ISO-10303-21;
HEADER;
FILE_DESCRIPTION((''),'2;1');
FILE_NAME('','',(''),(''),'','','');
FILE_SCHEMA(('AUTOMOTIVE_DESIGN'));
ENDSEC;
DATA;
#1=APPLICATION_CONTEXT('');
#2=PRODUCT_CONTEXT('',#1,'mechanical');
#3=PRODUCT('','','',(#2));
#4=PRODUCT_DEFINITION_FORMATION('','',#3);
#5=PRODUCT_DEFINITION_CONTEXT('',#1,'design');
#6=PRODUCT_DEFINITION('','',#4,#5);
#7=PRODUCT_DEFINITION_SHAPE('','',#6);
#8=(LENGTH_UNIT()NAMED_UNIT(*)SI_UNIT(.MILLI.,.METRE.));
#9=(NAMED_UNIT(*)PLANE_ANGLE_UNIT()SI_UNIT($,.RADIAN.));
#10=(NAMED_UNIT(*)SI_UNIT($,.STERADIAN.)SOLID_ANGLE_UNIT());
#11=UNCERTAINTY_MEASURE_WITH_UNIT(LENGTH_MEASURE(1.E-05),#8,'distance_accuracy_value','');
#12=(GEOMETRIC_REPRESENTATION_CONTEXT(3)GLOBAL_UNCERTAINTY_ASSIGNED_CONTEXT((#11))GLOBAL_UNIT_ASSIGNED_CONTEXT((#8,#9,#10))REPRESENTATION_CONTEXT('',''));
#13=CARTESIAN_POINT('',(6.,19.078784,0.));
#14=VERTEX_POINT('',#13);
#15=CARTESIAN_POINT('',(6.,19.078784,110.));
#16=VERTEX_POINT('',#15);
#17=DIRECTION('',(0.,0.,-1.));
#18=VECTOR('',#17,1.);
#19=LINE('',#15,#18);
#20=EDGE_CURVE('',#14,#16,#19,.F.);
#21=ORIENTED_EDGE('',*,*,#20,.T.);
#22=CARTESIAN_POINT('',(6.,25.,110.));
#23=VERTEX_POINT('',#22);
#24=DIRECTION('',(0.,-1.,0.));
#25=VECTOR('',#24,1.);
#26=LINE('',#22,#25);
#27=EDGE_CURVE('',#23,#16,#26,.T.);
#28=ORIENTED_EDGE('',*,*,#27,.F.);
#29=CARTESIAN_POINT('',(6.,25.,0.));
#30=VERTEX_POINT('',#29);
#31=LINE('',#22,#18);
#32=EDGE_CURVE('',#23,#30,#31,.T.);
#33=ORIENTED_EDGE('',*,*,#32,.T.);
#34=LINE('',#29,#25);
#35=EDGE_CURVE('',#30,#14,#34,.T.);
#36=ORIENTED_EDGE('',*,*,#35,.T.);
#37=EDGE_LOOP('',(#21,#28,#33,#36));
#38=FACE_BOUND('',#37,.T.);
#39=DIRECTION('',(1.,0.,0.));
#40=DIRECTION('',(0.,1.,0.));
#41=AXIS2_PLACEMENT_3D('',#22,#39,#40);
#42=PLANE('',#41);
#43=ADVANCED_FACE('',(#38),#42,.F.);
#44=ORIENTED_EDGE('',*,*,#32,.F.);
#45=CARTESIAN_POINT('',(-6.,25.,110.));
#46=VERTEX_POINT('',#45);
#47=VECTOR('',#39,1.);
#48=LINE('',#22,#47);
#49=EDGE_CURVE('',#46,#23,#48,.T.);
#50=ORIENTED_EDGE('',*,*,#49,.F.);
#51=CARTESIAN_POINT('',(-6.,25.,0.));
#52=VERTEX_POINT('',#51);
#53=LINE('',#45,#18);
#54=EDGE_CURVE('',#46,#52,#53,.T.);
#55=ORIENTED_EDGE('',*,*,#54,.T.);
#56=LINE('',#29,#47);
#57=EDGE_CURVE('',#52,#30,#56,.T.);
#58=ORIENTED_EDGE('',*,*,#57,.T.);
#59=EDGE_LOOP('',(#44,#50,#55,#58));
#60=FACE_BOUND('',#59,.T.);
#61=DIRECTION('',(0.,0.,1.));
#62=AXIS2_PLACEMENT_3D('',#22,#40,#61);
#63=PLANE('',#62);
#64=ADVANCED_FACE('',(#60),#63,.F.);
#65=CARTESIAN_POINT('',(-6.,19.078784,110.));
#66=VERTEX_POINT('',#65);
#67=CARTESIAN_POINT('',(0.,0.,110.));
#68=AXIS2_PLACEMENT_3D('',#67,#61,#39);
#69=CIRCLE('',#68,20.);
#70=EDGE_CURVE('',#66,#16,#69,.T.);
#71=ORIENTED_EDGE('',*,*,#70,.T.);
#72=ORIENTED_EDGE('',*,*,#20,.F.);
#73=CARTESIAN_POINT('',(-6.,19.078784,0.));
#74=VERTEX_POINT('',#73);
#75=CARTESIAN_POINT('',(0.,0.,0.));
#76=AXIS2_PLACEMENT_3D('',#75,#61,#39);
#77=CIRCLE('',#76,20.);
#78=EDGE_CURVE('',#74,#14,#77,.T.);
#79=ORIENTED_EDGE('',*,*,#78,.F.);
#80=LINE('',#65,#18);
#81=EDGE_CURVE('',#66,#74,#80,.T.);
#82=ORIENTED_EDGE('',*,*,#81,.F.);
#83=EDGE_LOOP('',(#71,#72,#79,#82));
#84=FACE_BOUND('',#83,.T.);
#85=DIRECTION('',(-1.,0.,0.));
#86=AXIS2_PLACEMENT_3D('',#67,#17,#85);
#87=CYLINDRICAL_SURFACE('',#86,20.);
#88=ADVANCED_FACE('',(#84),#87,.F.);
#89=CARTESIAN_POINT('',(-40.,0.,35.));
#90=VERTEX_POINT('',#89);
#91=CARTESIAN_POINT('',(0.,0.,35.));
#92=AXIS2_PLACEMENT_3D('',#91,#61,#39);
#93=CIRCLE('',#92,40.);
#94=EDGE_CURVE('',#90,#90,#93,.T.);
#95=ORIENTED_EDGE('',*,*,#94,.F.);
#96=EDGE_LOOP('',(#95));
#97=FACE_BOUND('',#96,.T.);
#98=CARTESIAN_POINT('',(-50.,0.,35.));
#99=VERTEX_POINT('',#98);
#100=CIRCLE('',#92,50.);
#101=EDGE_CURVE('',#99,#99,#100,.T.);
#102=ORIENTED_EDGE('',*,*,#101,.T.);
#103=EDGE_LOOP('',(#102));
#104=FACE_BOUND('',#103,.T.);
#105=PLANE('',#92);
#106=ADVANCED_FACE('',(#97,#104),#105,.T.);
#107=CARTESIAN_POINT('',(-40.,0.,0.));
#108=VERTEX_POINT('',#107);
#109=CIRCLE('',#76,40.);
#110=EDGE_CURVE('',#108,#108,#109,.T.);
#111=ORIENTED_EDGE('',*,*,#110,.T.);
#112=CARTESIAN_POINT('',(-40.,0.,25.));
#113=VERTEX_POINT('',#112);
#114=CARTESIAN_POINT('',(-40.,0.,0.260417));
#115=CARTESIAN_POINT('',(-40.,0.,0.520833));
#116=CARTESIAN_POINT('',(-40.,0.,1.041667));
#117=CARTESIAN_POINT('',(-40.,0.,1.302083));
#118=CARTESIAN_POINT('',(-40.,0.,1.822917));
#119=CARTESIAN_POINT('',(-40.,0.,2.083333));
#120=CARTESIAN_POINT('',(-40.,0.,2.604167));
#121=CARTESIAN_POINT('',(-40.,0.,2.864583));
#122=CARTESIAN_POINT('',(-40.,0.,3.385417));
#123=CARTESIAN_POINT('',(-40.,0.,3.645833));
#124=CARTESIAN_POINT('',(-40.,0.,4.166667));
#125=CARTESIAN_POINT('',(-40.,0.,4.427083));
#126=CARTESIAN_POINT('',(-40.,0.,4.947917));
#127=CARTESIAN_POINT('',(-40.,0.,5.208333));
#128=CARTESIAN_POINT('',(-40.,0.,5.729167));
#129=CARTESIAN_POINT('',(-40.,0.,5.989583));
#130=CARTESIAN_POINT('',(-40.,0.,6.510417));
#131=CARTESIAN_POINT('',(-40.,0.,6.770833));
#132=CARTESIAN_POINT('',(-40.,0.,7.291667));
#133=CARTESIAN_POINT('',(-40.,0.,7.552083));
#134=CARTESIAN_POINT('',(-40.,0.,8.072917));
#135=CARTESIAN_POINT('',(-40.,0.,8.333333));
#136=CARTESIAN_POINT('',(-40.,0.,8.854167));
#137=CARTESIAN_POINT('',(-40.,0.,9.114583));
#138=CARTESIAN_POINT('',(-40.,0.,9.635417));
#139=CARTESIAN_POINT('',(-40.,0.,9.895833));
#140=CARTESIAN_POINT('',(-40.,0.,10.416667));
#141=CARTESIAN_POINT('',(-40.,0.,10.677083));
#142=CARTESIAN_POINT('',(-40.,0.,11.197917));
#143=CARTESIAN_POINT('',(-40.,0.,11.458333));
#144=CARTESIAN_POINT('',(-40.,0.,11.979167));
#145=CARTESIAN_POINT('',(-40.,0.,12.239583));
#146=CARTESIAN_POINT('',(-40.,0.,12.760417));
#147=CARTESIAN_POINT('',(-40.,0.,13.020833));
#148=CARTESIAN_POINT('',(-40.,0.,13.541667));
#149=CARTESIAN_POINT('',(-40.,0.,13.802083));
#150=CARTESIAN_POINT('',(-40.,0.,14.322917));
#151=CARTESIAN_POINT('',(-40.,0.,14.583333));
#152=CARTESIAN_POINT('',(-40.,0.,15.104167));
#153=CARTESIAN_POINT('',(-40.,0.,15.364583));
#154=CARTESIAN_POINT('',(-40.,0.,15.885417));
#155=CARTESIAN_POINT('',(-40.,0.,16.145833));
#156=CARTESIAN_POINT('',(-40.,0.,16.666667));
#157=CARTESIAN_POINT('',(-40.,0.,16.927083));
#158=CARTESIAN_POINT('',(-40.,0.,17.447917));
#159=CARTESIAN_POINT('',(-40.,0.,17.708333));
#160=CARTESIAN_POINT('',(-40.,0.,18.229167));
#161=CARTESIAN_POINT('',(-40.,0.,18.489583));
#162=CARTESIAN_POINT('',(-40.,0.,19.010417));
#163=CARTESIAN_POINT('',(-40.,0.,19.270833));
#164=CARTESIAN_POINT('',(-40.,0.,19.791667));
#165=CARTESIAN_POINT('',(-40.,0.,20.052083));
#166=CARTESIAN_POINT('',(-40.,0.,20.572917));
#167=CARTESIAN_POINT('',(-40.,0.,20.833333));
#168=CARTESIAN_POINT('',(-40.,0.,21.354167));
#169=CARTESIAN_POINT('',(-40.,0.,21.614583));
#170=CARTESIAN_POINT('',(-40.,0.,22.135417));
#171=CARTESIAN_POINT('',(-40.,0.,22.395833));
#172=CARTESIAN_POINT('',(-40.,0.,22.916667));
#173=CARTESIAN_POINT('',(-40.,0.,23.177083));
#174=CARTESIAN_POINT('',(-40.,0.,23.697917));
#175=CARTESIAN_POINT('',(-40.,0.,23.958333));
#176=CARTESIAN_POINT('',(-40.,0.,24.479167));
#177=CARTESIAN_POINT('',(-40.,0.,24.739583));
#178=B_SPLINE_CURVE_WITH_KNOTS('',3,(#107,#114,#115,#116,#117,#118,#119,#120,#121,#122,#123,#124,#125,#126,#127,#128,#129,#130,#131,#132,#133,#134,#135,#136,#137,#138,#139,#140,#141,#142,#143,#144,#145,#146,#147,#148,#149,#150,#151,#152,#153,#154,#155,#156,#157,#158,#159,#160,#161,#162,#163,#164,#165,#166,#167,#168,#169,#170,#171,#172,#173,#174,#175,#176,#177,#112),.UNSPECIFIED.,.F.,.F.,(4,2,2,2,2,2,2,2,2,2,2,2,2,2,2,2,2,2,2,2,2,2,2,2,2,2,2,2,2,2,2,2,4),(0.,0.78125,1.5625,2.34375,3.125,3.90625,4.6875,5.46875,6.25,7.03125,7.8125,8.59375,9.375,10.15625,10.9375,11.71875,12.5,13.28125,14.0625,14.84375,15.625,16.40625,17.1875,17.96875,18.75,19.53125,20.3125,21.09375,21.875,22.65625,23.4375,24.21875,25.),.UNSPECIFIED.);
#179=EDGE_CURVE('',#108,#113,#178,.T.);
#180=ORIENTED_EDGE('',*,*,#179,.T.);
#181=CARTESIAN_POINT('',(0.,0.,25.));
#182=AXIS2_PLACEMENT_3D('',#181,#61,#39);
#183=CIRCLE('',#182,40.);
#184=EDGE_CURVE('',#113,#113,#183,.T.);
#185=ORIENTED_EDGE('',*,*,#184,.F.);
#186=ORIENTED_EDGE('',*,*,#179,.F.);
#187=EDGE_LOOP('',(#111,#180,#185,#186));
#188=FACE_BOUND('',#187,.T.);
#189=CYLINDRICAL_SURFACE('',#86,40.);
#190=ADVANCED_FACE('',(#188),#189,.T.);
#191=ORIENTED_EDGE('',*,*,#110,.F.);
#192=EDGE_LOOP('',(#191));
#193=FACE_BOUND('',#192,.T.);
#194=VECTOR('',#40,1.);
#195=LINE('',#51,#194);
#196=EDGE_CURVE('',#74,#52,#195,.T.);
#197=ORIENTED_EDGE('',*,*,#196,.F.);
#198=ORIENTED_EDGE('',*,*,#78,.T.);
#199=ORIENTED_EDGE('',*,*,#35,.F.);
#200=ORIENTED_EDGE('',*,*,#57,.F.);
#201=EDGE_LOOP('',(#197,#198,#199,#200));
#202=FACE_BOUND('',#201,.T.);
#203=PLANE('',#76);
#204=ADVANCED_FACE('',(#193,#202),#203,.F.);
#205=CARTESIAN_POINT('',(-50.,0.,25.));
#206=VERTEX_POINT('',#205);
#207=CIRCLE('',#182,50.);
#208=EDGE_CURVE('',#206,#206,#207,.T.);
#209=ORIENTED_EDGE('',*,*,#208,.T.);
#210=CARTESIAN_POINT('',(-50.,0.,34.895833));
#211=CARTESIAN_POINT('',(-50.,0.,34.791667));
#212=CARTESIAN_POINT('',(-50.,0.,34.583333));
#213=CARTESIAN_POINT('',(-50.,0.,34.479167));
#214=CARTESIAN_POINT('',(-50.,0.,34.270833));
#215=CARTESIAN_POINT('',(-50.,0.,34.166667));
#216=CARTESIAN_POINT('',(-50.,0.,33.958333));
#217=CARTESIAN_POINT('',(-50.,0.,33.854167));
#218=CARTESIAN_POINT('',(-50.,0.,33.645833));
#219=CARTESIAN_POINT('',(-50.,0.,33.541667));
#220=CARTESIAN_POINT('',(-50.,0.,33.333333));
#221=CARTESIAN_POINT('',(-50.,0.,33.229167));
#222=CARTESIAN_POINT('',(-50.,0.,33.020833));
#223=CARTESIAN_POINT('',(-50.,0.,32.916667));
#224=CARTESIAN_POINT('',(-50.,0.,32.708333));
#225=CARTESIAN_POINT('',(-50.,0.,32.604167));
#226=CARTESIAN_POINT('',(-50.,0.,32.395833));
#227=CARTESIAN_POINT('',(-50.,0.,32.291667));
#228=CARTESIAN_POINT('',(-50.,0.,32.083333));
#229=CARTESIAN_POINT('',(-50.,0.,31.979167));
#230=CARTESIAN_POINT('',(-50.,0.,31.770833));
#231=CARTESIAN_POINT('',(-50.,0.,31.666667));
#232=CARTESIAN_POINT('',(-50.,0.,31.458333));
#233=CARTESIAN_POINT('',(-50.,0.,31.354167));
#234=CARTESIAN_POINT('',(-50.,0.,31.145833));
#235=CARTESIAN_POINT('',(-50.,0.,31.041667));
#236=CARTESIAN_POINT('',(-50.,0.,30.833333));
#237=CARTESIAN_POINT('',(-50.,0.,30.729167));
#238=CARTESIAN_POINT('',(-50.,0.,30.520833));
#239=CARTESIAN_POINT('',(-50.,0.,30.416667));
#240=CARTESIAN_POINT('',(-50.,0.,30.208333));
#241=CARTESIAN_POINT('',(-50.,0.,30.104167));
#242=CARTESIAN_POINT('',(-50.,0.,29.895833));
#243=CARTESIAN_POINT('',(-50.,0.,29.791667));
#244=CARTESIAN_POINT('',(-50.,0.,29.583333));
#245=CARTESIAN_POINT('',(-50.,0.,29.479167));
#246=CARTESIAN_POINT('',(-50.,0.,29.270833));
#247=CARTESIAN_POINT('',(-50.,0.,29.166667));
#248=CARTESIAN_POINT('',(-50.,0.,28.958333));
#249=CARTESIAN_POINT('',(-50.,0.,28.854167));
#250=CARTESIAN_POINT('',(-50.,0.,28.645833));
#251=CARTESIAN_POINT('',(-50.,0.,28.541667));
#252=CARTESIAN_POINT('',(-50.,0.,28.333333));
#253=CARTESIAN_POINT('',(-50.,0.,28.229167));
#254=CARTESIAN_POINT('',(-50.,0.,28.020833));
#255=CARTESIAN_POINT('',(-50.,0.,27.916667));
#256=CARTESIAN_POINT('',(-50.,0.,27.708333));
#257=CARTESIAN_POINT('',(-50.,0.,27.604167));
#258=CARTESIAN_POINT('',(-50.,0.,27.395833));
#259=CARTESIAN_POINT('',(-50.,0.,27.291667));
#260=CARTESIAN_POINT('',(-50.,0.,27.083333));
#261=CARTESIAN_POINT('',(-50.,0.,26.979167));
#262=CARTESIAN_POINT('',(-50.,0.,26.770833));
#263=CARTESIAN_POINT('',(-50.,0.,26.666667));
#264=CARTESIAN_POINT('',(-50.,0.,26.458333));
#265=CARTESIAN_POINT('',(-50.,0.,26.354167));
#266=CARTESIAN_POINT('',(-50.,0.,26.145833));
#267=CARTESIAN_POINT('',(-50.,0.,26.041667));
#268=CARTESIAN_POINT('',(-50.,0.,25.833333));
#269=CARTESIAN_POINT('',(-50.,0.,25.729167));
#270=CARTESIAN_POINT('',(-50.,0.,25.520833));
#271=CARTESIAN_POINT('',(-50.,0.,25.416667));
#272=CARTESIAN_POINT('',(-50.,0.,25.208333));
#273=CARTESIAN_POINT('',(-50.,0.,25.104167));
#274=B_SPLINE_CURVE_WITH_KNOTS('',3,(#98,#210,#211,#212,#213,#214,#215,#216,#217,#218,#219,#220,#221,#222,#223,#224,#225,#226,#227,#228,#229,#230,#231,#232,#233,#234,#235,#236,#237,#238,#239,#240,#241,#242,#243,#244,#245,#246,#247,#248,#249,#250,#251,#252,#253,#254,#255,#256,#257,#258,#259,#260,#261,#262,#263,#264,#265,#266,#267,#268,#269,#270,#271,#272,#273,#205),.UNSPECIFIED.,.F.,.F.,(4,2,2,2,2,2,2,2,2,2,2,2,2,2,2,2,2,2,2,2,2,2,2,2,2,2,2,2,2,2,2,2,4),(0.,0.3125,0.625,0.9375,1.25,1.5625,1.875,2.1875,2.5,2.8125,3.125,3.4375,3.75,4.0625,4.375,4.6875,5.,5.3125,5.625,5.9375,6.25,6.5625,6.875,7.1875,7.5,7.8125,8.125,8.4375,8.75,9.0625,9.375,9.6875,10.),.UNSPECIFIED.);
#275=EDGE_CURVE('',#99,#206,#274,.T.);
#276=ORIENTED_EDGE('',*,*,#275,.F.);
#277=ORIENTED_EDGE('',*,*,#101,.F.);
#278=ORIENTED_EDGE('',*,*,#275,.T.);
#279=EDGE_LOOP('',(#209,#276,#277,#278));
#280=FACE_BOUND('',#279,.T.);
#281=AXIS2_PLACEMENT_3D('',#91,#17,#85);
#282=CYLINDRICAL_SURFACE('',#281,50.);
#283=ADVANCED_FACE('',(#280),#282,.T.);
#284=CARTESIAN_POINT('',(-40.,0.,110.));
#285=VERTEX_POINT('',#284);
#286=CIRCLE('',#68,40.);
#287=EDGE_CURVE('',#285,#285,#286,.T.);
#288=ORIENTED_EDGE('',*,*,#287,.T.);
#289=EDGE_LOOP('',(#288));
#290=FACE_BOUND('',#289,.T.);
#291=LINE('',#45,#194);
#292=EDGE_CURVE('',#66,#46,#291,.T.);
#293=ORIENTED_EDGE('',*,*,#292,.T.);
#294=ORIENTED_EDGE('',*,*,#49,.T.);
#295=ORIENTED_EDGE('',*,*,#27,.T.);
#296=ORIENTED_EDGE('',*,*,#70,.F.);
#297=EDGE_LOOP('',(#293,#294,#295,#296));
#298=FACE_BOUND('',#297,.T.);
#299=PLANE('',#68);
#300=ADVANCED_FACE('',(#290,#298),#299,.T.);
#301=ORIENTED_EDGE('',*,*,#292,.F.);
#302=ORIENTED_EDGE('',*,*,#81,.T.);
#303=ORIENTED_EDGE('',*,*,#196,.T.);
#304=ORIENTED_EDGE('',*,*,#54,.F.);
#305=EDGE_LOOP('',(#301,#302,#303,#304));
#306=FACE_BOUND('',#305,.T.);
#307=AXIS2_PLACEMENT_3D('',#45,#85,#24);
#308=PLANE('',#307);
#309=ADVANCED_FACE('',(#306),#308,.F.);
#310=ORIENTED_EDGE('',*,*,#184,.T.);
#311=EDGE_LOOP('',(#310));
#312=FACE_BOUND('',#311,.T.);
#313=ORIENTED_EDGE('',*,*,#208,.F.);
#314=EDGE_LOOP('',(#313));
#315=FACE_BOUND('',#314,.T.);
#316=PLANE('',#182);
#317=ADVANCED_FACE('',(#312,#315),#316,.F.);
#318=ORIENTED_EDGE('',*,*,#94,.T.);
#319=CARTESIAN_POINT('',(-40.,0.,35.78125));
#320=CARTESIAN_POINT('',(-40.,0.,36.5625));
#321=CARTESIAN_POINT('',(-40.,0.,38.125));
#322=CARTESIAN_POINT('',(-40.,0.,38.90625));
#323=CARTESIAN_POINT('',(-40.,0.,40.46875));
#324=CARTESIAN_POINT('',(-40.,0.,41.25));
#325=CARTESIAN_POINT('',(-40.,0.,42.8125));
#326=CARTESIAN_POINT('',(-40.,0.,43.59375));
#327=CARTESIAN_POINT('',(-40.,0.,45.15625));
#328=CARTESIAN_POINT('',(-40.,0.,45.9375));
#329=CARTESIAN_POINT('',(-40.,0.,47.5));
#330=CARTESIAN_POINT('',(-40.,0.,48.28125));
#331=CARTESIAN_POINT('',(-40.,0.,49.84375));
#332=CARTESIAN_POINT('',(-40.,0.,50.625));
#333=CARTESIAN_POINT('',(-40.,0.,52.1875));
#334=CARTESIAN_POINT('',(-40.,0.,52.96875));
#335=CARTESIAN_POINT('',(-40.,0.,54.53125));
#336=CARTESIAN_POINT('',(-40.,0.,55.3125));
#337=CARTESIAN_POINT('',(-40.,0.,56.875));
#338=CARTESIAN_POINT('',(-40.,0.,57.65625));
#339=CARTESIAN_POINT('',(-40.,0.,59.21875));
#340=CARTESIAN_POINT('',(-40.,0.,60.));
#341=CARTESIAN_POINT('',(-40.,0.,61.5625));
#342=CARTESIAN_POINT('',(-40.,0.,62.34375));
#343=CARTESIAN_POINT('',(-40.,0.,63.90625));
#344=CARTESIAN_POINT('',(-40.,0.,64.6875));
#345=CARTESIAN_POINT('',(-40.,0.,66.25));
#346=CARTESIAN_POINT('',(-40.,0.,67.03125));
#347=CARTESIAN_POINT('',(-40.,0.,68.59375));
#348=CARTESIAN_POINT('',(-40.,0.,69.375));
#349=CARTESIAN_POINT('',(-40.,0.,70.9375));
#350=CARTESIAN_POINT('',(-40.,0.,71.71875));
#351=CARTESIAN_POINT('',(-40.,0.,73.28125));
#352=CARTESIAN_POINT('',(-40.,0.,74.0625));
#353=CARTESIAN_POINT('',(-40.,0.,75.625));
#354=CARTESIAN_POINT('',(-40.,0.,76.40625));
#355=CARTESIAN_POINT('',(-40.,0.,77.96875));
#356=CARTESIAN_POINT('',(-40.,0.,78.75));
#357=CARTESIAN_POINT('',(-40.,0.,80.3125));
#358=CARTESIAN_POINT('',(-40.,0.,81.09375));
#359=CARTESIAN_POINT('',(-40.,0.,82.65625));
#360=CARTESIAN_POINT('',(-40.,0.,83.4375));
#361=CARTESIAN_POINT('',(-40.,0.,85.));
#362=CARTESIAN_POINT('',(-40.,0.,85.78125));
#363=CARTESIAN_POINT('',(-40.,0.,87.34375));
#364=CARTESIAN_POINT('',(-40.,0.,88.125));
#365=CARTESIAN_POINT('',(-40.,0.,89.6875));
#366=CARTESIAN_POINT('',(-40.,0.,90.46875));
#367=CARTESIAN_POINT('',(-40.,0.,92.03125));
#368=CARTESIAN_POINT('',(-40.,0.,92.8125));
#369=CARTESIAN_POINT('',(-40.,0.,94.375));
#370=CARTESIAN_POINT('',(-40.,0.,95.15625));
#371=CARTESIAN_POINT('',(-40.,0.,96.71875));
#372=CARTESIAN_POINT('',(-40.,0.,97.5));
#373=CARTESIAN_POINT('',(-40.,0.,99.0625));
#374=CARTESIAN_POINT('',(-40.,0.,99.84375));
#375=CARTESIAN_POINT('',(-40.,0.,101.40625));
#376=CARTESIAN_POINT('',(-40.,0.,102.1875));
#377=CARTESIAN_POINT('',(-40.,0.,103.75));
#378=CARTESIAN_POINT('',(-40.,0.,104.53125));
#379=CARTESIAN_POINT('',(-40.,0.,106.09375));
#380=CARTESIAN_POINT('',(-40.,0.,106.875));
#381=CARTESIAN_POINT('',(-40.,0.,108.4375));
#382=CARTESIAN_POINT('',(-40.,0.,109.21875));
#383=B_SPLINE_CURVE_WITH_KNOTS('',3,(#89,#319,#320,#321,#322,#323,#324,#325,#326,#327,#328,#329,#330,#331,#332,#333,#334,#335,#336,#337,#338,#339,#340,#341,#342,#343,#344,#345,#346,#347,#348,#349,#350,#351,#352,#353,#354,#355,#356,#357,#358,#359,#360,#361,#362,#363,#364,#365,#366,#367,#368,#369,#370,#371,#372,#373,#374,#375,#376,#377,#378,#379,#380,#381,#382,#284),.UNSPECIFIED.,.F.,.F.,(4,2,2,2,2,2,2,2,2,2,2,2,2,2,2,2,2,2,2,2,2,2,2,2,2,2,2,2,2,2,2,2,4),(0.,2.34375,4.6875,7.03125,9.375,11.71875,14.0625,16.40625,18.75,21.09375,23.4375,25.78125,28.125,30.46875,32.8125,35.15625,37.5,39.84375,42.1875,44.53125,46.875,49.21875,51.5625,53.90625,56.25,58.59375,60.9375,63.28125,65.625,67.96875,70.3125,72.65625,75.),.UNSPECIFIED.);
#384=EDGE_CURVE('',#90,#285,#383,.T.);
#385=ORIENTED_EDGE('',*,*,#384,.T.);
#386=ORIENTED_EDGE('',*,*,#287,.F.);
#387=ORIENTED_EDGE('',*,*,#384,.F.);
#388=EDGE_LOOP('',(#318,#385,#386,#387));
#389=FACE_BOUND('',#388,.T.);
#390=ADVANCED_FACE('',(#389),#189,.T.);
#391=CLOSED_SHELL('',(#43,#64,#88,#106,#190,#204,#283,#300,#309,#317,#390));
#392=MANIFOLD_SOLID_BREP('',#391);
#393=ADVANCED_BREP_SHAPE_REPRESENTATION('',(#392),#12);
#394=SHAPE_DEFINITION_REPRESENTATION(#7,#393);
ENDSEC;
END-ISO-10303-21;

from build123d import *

# Parameters (mm, degrees)
SKETCH1_R           = 40
SKETCH1_R_2         = 20
BOSS_EXTRUDE1_DEPTH = 110
SKETCH2_R           = 50
SKETCH2_R_2         = 20
BOSS_EXTRUDE2_DEPTH = 10
SKETCH3_W           = 12
SKETCH3_H           = 14.623455079
CUT_EXTRUDE1_DEPTH  = 131.766968306


with BuildPart() as part:
    # Sketch1 → Boss-Extrude1 (new body)
    with BuildSketch(Plane.XY):
        Circle(SKETCH1_R)
        Circle(SKETCH1_R_2, mode=Mode.SUBTRACT)
    extrude(amount=BOSS_EXTRUDE1_DEPTH)

    # Sketch2 → Boss-Extrude2 (add)
    with BuildSketch(Plane.XY.offset(25)):
        Circle(SKETCH2_R)
        Circle(SKETCH2_R_2, mode=Mode.SUBTRACT)
    extrude(amount=BOSS_EXTRUDE2_DEPTH)

    # Sketch3 → Cut-Extrude1 (cut, through all)
    with BuildSketch(Plane(origin=(0, 0, 0), x_dir=(-1, 0, 0), z_dir=(0, 0, -1))):
        with Locations((0, 17.688272461)):
            Rectangle(SKETCH3_W, SKETCH3_H)
    extrude(amount=-CUT_EXTRUDE1_DEPTH, mode=Mode.SUBTRACT)


solid = part.part
